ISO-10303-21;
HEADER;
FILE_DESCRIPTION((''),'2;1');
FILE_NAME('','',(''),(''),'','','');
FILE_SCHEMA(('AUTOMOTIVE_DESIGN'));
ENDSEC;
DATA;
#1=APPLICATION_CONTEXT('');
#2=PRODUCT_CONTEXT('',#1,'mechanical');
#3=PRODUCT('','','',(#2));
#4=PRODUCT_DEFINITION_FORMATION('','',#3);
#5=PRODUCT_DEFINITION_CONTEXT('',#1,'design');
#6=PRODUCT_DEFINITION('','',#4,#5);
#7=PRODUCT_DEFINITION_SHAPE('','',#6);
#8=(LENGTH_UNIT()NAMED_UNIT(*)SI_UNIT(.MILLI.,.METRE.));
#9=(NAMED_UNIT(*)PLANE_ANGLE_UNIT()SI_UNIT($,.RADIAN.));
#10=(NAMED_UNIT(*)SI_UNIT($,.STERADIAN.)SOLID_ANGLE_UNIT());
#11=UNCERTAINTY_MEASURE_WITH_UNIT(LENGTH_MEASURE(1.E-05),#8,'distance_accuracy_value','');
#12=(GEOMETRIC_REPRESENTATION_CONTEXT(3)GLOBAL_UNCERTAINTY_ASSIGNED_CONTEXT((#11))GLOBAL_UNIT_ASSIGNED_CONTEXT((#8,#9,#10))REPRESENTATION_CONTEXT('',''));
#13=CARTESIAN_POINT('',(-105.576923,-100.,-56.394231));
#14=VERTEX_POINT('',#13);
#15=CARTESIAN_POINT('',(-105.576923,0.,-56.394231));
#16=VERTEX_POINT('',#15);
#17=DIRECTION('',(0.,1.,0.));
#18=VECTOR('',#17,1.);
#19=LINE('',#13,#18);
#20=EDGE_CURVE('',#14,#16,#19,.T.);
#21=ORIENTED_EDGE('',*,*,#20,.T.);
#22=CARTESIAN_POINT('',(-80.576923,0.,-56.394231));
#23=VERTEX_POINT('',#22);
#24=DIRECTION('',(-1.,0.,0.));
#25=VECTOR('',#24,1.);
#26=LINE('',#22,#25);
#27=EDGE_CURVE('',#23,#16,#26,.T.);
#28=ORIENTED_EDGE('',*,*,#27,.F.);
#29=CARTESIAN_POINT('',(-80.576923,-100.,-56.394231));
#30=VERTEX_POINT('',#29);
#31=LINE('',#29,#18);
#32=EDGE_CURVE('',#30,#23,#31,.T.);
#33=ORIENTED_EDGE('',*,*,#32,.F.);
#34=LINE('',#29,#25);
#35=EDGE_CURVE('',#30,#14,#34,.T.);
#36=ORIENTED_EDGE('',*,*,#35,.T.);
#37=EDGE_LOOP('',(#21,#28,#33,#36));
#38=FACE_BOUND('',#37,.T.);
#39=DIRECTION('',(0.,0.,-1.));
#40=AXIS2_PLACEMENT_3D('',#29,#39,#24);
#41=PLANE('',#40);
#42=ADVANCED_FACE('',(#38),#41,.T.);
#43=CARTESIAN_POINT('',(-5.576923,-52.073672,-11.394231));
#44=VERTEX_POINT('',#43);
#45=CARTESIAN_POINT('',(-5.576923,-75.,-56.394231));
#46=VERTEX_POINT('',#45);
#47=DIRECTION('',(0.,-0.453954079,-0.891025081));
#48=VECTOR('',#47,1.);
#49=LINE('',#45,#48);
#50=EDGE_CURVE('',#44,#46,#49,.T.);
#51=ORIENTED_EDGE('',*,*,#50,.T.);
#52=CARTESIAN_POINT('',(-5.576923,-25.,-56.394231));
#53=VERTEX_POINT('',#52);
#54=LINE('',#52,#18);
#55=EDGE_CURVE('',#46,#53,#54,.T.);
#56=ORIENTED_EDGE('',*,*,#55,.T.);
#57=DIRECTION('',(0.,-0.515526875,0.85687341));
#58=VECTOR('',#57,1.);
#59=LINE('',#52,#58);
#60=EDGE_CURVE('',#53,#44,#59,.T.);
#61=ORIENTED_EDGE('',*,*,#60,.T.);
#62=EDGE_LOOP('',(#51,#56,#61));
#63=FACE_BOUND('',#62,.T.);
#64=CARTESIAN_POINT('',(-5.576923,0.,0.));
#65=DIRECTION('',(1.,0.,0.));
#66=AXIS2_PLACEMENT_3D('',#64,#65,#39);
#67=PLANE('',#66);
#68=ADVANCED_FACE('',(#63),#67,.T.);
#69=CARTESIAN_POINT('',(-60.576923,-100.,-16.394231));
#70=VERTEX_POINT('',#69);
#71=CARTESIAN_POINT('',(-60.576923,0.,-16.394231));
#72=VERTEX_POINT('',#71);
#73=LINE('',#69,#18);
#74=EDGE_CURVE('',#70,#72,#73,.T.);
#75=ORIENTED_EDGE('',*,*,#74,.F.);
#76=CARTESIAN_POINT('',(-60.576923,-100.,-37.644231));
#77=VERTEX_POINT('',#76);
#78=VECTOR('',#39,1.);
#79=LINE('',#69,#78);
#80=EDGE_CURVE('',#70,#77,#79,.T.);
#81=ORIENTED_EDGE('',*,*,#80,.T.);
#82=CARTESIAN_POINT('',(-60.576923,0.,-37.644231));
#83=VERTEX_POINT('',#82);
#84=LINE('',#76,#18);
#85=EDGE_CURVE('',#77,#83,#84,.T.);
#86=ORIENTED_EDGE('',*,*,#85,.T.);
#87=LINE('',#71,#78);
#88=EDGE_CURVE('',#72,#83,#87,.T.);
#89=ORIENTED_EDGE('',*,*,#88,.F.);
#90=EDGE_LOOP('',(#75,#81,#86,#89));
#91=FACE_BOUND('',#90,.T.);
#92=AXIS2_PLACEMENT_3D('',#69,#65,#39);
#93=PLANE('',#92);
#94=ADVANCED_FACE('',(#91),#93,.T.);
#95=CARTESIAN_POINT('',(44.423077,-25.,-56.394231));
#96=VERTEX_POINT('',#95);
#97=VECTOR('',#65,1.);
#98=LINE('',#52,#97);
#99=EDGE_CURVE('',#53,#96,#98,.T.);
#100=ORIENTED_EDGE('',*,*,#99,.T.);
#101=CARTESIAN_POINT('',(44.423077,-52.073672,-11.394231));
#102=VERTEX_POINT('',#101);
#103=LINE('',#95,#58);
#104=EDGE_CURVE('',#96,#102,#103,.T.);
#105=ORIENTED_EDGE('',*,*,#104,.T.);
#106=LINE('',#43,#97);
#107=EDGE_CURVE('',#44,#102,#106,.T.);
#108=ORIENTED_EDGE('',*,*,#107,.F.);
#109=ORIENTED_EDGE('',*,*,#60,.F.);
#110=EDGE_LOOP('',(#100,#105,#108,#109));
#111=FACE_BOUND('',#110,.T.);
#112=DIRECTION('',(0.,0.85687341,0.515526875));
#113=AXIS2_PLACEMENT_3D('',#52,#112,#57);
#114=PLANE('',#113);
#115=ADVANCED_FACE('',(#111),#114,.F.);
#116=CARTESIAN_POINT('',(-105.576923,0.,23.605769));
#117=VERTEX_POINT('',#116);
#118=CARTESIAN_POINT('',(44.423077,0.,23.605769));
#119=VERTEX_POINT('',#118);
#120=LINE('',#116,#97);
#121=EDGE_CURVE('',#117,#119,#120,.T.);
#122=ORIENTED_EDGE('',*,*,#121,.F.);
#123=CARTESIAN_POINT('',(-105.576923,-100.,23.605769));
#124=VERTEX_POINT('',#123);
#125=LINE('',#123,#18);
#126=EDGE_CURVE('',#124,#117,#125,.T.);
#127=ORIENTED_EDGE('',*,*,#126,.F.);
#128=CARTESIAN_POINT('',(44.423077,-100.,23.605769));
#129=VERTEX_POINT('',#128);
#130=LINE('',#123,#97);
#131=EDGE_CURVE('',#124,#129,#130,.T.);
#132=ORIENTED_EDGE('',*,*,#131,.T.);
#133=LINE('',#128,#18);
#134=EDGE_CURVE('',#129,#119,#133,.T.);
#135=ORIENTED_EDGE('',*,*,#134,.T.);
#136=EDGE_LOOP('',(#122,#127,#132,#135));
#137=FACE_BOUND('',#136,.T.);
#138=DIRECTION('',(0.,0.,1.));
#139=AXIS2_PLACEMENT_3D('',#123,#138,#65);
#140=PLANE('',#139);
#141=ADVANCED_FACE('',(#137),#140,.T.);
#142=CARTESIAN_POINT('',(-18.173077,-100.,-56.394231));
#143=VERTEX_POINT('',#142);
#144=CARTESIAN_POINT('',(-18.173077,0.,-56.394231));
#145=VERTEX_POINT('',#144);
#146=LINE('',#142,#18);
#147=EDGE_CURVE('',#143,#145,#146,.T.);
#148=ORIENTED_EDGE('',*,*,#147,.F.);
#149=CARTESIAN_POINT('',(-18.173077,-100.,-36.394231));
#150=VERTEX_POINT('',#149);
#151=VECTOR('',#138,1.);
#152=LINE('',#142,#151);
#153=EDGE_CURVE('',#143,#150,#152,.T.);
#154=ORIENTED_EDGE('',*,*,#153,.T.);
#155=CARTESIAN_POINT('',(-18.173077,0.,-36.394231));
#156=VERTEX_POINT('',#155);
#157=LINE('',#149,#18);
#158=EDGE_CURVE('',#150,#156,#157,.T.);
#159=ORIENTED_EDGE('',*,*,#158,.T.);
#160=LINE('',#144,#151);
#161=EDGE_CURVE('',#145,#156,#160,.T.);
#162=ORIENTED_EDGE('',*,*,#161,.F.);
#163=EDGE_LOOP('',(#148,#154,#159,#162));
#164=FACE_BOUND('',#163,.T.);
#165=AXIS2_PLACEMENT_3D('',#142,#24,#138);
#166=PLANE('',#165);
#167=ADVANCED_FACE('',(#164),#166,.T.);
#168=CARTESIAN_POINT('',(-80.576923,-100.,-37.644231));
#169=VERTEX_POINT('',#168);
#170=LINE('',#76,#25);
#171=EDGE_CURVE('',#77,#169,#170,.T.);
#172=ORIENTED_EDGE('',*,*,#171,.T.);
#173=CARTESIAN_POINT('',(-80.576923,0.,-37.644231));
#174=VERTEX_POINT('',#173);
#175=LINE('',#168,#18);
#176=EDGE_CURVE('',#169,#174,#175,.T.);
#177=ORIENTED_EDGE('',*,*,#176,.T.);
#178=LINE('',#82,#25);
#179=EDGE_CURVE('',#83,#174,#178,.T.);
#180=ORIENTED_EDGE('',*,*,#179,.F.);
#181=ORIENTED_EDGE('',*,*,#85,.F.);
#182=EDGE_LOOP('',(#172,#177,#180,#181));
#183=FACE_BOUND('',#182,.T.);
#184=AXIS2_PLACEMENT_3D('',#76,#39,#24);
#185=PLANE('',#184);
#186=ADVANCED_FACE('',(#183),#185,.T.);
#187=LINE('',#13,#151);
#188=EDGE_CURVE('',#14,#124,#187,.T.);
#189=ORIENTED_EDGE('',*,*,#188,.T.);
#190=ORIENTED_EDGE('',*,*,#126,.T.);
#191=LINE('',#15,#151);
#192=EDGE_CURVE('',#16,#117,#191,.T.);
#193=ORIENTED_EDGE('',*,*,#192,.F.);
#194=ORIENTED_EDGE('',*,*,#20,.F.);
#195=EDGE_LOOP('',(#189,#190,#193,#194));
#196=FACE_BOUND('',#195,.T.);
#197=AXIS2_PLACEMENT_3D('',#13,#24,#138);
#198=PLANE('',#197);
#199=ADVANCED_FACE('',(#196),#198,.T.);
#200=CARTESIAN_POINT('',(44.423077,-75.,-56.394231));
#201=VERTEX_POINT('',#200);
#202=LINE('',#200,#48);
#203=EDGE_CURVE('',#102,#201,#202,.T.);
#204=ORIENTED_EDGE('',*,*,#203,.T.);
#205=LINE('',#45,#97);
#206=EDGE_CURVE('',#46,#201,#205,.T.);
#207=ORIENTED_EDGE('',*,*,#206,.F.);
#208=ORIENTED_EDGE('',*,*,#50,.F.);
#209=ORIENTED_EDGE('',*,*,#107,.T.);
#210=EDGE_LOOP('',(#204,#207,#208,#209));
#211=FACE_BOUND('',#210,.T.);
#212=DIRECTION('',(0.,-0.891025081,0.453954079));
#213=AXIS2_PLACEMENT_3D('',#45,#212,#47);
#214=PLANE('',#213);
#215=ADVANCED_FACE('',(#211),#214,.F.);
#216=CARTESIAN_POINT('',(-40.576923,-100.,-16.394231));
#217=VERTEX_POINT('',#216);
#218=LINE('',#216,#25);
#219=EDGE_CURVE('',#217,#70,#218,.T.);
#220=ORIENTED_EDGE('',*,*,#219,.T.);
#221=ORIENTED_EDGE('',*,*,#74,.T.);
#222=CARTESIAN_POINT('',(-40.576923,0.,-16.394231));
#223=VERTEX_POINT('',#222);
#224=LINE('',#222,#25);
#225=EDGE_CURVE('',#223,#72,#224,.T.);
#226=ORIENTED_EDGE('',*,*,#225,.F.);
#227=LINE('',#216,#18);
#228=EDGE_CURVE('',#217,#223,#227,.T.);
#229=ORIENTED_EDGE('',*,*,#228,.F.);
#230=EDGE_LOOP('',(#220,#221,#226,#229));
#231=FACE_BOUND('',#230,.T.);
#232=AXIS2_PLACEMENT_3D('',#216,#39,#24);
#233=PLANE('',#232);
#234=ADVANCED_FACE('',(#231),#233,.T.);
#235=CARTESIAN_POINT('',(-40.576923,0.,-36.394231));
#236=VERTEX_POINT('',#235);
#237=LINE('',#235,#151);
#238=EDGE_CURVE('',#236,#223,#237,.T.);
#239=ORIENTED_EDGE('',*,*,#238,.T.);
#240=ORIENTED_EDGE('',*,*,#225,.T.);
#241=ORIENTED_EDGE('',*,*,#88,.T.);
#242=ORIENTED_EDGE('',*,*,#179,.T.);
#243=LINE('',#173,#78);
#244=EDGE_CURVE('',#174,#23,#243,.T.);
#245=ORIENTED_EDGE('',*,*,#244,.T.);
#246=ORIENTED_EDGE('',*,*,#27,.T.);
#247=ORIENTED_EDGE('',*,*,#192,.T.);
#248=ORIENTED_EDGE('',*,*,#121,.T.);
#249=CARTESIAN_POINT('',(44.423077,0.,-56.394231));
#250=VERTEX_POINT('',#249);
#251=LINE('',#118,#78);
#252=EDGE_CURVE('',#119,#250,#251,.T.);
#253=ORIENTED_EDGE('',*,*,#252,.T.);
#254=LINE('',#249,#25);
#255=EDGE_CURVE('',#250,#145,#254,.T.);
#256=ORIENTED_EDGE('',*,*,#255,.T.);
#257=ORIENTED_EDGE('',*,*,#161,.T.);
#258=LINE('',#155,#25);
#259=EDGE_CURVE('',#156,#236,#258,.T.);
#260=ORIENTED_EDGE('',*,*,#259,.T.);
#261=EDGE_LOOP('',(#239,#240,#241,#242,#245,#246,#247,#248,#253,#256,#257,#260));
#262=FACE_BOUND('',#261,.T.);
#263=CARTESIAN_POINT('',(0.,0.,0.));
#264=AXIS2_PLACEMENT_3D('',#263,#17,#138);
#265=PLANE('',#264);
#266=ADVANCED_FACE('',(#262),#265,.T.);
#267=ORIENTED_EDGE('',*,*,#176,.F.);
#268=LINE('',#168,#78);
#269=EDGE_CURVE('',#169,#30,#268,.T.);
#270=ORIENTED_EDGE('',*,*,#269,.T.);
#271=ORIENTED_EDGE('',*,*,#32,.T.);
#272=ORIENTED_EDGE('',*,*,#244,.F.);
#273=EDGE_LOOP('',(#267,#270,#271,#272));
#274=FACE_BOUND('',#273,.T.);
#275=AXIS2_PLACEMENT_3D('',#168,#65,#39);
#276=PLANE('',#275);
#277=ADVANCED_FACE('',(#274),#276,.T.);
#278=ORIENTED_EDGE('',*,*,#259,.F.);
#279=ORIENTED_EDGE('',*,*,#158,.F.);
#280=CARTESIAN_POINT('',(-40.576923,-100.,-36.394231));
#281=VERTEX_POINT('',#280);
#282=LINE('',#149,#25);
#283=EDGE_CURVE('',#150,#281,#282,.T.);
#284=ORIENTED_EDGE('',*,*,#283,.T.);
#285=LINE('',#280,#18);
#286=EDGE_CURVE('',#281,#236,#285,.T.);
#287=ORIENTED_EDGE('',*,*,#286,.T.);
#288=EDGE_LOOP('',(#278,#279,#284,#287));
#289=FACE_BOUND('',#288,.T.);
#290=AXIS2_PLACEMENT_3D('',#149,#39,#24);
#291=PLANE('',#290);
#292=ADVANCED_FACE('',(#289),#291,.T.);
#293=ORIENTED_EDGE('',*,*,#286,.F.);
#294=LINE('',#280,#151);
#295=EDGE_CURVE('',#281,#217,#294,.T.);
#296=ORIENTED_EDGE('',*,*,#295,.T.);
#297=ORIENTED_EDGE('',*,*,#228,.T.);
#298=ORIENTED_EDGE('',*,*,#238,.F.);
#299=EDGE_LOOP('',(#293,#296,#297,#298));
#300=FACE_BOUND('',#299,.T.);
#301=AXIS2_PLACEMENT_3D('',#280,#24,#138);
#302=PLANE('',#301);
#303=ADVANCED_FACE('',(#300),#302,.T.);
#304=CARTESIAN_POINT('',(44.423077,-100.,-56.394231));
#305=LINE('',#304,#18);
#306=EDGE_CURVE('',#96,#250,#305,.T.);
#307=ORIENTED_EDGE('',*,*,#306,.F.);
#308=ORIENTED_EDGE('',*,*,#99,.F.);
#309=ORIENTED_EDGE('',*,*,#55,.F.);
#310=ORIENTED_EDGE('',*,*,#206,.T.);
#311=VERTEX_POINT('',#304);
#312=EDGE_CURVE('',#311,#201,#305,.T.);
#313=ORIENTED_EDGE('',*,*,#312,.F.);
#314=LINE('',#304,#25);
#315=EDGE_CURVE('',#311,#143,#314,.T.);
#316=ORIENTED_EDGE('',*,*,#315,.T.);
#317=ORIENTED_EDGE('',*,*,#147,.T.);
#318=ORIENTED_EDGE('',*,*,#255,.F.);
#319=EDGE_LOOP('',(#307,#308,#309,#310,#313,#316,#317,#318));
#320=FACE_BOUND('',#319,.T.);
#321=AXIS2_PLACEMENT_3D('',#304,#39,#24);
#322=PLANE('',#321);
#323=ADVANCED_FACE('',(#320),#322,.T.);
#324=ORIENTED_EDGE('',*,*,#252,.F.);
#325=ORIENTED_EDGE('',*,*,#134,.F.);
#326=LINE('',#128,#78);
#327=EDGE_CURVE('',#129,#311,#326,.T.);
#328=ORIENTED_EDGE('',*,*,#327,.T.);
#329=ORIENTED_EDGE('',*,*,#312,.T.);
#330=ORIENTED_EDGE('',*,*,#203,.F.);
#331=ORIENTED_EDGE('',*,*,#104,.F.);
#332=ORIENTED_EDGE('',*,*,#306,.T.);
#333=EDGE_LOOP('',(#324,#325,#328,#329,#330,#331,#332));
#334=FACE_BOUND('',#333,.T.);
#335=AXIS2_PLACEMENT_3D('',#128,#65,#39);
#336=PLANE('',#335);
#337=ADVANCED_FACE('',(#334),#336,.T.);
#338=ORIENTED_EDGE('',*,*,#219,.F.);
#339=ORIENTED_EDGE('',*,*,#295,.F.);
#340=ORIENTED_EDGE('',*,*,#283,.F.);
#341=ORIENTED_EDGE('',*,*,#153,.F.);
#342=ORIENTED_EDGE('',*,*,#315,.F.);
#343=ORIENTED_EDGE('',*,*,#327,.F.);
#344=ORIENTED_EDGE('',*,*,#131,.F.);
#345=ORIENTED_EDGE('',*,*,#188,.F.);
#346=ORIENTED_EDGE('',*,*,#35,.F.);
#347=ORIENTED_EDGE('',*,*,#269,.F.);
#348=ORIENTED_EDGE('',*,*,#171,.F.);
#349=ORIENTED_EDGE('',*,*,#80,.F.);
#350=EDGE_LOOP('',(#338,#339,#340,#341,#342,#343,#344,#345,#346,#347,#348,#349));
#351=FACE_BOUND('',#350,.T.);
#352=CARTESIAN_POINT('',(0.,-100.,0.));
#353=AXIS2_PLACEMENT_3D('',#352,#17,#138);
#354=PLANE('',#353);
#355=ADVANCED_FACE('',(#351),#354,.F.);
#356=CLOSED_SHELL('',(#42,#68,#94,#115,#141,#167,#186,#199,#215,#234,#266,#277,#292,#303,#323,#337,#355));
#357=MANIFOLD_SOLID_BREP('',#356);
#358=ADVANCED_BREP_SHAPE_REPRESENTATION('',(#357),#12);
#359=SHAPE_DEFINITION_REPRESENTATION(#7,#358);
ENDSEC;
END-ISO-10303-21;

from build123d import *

# Parameters (mm, degrees)
BOSS_EXTRUDE1_DEPTH = 100
CUT_EXTRUDE1_DEPTH  = 50


with BuildPart() as part:
    # Sketch1 → Boss-Extrude1 (new body)
    with BuildSketch(Plane(origin=(0, 0, 0), x_dir=(1, 0, 0), z_dir=(0, 1, 0))):
        Polygon((-105.576923077, -23.605769231), (44.423076923, -23.605769231), (44.423076923, 56.394230769), (-18.173076923, 56.394230769), (-18.173076923, 36.394230769), (-40.576923077, 36.394230769), (-40.576923077, 16.394230769), (-60.576923077, 16.394230769), (-60.576923077, 37.644230769), (-80.576923077, 37.644230769), (-80.576923077, 56.394230769), (-105.576923077, 56.394230769), align=None)
    extrude(amount=-BOSS_EXTRUDE1_DEPTH)

    # Sketch3 → Cut-Extrude1 (cut)
    with BuildSketch(Plane(origin=(44.423076923, 0, 0), x_dir=(0, 0, -1), z_dir=(1, 0, 0))):
        Polygon((56.394230769, -25), (11.394230769, -52.073671681), (56.394230769, -75), align=None)
    extrude(amount=-CUT_EXTRUDE1_DEPTH, mode=Mode.SUBTRACT)


solid = part.part
